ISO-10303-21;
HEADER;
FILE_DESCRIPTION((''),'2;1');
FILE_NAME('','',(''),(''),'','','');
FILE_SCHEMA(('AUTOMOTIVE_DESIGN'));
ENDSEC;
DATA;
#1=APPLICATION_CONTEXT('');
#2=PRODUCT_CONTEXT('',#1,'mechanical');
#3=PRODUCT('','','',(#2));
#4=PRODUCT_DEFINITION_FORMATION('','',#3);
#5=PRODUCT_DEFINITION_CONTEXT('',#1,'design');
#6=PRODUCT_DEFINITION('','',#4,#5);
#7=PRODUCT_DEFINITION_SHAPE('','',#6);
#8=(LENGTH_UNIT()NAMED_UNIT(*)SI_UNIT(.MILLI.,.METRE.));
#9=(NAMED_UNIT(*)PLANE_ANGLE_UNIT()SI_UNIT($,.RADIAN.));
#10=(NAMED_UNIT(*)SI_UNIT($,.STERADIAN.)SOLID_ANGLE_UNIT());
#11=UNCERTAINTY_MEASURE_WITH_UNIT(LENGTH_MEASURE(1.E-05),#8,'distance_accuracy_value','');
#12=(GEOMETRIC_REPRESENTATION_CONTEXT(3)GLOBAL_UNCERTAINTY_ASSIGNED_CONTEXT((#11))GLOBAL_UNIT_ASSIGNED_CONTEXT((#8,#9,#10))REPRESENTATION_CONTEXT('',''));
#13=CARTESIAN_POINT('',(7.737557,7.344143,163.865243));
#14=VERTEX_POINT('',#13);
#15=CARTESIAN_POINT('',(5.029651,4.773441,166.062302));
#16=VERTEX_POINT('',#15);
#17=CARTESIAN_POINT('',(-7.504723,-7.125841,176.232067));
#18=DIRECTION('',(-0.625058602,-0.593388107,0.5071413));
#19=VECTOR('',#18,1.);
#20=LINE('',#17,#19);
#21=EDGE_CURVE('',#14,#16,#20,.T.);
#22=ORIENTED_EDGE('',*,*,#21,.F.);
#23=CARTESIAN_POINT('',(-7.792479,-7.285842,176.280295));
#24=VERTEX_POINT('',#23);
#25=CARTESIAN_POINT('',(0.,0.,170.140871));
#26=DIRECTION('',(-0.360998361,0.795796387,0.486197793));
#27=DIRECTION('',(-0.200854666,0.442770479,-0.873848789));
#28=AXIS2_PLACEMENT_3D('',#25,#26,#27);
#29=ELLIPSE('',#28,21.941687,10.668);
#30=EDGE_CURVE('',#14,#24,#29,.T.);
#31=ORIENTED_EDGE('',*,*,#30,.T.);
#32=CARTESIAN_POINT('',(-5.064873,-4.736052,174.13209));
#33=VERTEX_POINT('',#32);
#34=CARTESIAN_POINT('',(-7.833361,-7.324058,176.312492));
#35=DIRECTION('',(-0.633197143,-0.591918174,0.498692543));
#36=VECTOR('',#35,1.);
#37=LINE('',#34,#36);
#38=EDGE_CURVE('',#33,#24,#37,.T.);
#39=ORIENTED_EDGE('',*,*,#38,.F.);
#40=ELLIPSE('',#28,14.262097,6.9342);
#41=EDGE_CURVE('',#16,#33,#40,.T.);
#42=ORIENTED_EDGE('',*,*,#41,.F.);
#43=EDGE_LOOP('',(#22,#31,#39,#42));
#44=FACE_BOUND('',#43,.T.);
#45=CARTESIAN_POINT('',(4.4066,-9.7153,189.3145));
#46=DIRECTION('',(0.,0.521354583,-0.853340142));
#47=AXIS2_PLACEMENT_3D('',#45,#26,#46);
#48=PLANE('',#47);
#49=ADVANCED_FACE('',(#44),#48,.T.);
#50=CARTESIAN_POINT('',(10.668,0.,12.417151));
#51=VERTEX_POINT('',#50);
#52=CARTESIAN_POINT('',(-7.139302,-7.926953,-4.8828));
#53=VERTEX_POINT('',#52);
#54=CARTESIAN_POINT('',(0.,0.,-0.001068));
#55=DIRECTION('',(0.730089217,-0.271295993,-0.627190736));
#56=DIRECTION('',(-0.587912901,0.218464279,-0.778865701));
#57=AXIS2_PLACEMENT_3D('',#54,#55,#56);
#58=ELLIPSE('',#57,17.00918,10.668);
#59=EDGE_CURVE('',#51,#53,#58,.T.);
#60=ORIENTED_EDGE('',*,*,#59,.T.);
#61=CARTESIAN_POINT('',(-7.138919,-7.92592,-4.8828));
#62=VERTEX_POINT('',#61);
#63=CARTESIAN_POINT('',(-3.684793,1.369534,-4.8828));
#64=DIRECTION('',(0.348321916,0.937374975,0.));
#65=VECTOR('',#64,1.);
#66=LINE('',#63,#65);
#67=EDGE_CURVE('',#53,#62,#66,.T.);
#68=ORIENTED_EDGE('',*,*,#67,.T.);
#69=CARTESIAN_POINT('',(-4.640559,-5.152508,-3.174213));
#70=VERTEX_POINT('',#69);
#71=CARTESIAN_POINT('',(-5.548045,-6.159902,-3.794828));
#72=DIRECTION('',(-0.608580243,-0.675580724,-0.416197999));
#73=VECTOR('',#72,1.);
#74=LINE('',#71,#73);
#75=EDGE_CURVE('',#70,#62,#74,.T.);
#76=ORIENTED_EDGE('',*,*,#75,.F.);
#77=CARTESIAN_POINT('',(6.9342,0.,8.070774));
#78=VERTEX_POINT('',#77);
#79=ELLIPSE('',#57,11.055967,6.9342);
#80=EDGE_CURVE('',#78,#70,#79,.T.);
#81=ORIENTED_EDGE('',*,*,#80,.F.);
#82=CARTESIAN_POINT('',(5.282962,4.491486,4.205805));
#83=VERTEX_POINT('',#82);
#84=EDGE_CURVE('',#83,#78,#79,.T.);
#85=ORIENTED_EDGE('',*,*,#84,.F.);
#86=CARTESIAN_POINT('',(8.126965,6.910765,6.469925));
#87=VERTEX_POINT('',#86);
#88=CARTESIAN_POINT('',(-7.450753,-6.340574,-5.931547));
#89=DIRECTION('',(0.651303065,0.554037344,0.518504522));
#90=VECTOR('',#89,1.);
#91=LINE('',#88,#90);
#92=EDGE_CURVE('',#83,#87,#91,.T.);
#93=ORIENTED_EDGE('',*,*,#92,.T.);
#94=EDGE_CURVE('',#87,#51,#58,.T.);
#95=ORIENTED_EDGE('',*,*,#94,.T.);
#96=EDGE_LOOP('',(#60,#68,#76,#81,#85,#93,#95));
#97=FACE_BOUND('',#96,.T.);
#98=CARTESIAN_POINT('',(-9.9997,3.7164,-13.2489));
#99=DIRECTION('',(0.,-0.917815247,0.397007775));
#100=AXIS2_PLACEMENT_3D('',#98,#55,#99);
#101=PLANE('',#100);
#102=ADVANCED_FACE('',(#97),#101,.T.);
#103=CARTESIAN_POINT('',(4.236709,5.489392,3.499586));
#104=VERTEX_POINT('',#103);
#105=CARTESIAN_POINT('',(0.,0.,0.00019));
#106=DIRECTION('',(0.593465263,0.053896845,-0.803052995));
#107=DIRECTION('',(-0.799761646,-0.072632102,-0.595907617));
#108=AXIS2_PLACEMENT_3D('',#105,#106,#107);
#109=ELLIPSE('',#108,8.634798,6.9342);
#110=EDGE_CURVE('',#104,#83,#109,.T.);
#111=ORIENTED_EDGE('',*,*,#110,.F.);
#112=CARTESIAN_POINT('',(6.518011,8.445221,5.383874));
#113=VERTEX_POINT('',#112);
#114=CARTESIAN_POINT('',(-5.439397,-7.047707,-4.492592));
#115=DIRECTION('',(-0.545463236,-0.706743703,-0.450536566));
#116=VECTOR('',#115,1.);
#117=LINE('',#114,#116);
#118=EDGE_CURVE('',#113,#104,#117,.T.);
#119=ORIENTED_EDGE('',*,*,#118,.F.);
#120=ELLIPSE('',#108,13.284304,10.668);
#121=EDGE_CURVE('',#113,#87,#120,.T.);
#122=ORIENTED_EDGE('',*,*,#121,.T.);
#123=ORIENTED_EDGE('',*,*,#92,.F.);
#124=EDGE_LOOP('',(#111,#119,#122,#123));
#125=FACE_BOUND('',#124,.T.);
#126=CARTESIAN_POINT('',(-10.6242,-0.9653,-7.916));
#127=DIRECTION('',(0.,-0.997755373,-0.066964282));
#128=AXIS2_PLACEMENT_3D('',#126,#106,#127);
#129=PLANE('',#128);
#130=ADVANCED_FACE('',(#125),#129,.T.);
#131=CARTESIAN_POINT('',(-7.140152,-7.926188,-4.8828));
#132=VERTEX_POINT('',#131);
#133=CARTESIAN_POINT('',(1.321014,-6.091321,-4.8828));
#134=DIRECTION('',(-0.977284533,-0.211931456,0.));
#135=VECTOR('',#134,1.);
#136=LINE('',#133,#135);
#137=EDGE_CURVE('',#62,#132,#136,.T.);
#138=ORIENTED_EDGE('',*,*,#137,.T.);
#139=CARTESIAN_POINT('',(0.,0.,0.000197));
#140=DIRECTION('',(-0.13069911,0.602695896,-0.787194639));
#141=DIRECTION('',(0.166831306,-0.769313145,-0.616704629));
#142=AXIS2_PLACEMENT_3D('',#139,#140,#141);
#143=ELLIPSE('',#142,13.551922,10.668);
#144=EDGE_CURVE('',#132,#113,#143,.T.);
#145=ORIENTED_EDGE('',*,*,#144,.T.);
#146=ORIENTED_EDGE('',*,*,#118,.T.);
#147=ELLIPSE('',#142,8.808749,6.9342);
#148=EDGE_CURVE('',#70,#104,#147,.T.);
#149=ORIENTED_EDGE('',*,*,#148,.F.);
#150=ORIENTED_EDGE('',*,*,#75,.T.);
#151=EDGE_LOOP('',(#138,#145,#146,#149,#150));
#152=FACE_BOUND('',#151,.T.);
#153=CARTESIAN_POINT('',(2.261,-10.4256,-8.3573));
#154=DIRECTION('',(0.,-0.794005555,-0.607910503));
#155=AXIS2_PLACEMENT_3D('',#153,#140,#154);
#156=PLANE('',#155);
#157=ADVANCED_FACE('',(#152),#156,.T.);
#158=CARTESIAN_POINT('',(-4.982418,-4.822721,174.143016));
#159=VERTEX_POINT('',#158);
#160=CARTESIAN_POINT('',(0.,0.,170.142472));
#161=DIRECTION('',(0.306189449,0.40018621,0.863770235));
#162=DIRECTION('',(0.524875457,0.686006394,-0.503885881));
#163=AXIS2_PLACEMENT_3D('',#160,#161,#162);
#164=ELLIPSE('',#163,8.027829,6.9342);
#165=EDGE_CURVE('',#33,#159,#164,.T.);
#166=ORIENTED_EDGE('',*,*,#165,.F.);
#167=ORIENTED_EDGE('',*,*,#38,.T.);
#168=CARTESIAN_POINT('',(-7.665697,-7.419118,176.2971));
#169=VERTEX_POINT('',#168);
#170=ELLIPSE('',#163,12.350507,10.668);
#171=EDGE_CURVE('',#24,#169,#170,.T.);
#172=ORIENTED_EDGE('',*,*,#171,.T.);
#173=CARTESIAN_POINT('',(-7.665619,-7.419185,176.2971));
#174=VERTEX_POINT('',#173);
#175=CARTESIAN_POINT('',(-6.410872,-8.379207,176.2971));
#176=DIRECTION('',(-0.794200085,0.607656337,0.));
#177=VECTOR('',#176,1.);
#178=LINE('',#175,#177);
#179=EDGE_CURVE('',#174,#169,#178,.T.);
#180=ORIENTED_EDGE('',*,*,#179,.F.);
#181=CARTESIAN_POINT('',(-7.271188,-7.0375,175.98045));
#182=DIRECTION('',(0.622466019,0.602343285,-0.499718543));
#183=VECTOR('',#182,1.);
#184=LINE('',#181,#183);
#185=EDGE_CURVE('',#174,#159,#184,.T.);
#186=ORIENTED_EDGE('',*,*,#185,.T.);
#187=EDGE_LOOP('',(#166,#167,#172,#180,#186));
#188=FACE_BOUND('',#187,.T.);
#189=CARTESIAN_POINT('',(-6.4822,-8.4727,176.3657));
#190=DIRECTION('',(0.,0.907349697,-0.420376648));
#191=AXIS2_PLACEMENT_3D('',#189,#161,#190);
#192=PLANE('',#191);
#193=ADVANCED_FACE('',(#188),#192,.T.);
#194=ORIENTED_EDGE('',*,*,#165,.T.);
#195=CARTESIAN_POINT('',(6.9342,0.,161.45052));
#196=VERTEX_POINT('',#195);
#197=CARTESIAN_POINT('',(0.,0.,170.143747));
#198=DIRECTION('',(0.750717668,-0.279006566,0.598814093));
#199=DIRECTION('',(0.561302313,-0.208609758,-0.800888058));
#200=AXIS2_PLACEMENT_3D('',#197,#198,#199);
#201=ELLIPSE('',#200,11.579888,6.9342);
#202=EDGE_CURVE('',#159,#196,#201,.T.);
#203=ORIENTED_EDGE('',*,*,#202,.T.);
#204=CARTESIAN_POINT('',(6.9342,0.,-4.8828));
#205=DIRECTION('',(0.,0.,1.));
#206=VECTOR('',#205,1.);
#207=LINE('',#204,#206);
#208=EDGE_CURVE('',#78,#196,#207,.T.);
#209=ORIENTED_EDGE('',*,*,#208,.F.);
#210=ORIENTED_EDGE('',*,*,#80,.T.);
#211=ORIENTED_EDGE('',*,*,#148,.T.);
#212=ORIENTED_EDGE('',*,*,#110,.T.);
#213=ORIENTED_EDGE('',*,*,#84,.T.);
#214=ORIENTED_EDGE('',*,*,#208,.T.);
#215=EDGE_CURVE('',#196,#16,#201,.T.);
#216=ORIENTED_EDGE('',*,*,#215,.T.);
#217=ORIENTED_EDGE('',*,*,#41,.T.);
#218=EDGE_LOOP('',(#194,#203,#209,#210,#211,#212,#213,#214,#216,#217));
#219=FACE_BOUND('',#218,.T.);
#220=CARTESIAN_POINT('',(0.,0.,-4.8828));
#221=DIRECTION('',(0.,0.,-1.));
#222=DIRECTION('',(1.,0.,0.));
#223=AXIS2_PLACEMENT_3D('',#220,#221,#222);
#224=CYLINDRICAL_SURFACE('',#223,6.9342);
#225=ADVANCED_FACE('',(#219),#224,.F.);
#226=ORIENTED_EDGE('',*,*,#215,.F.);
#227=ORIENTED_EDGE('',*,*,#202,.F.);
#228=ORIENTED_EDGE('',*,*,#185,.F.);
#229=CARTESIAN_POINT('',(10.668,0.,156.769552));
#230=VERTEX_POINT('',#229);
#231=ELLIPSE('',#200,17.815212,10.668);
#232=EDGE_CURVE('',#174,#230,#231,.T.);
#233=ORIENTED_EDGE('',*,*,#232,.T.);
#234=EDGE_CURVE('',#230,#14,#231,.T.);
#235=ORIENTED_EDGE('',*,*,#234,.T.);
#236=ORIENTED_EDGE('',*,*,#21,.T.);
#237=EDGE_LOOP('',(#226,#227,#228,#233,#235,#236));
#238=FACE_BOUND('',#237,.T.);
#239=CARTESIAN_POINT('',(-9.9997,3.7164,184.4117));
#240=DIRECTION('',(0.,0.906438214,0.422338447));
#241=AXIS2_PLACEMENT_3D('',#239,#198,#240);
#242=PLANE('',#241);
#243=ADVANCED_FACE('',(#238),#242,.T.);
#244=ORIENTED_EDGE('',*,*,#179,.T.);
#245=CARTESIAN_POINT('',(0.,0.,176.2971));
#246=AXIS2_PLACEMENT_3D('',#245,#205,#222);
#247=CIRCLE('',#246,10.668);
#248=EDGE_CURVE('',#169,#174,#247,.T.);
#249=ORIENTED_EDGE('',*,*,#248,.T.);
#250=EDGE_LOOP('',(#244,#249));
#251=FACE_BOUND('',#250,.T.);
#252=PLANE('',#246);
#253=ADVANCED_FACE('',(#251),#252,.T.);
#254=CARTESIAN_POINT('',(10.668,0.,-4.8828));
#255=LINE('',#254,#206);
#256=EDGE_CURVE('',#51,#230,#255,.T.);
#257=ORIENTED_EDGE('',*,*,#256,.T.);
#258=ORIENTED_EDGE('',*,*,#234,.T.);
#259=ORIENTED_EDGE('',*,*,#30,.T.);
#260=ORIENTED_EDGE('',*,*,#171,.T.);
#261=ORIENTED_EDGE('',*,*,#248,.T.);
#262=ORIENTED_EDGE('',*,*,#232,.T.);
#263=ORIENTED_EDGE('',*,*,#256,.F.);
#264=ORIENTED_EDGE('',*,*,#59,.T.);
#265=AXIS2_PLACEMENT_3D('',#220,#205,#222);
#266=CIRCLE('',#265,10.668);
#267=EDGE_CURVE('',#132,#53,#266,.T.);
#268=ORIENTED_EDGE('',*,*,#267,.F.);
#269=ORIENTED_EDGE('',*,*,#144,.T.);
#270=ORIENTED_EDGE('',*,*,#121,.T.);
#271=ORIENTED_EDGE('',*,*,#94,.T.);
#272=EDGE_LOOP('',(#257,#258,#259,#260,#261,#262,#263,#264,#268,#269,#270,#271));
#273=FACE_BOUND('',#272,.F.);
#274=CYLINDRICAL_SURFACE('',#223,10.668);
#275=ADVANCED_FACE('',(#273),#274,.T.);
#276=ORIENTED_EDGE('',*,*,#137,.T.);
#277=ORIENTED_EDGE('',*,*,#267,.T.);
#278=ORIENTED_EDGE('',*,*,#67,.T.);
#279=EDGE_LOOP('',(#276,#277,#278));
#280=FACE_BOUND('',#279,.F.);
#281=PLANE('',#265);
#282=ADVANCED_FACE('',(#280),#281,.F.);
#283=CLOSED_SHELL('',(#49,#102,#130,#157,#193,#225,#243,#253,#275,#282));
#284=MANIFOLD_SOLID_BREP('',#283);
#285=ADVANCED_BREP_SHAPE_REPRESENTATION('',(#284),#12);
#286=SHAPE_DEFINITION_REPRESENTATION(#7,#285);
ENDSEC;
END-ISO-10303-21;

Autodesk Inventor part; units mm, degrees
ref_plane "Start Plane" through (0, 0, -4.8828) normal (0, 0, 1) x (1, 0, 0)
ref_plane "End Plane" through (0, 0, 176.2971) normal (0, 0, 1) x (1, 0, 0)
sketch "Sketch" plane through (0, 0, 0) normal (0, 0, 1) x (1, 0, 0)
  circle A0 centre (0, 0) radius 6.9342
  circle A1 centre (0, 0) radius 10.668
  dimension "d0" = 21.336
  dimension "d1" = 3.7338
extrude "Body" add sketch "Sketch" along normal up to surface (181.1799 mm away) from surface at -4.8828
sketch "Sketch3" plane through (0, 0, 0) normal (0, 0, 1) x (1, 0, 0)
  line L0 (0, 0) -> (10, 0)
ref_plane "Work Plane3" through (0, 0, 0) normal (0, -1, 0) x (1, 0, 0)
sketch "Sketch4" plane through (0, 0, 0) normal (0, -1, 0) x (1, 0, 0)
  line L0 (-2, -4.8828) -> (12, -4.8828)
  line L1 (-2, 176.2971) -> (12, 176.2971)
  dimension "d7" = 181.1798
ref_plane "Work Plane4" through (-6.4822, -8.4727, 176.3657) normal (0.3062, 0.4002, 0.8638) x (0.9497, -0.0657, -0.3062)
split "Split1" plane through (-6.4822, -8.4727, 176.3657) removes the side toward (0.3062, 0.4002, 0.8638)
ref_plane "Work Plane5" through (-9.9997, 3.7164, 184.4117) normal (0.7507, -0.279, 0.5988) x (0.6475, 0.131, -0.7507)
split "Split2" plane through (-9.9997, 3.7164, 184.4117) removes the side toward (0.7507, -0.279, 0.5988)
ref_plane "Work Plane6" through (4.4066, -9.7153, 189.3145) normal (-0.361, 0.7958, 0.4862) x (0.9123, 0.1933, 0.361)
split "Split3" plane through (4.4066, -9.7153, 189.3145) removes the side toward (-0.361, 0.7958, 0.4862)
ref_plane "Work Plane7" through (2.261, -10.4256, -8.3573) normal (-0.1307, 0.6027, -0.7872) x (0.9197, 0.3702, 0.1307)
split "Split4" plane through (2.261, -10.4256, -8.3573) removes the side toward (-0.1307, 0.6027, -0.7872)
ref_plane "Work Plane8" through (-9.9997, 3.7164, -13.2489) normal (0.7301, -0.2713, -0.6272) x (-0.4297, 0.5313, -0.7301)
split "Split5" plane through (-9.9997, 3.7164, -13.2489) removes the side toward (0.7301, -0.2713, -0.6272)
ref_plane "Work Plane9" through (-10.6242, -0.9653, -7.916) normal (0.5935, 0.0539, -0.8031) x (-0.7883, -0.1625, -0.5935)
split "Split6" plane through (-10.6242, -0.9653, -7.916) removes the side toward (0.5935, 0.0539, -0.8031)
equation "\"d0\" = G_H"
equation "\"d1\" = G_T"
equation "\"d2\" = G_L"
equation "\"G_H\" = 21.336"
equation "\"G_T\" = 3.7338"
equation "\"G_L\" = 181.17985"
equation "\"G_OFFSET_START\" = 4.88279"
equation "\"G_OFFSET_END\" = 6.15394"
equation "\"d4\" = -G_OFFSET_START"
equation "\"d5\" = G_OFFSET_END + B_L"
equation "\"B_L\" = 170.14312"
properties part number "ANSI - 1/2 x 0.147 - 7.133" material "Steel, Mild"
